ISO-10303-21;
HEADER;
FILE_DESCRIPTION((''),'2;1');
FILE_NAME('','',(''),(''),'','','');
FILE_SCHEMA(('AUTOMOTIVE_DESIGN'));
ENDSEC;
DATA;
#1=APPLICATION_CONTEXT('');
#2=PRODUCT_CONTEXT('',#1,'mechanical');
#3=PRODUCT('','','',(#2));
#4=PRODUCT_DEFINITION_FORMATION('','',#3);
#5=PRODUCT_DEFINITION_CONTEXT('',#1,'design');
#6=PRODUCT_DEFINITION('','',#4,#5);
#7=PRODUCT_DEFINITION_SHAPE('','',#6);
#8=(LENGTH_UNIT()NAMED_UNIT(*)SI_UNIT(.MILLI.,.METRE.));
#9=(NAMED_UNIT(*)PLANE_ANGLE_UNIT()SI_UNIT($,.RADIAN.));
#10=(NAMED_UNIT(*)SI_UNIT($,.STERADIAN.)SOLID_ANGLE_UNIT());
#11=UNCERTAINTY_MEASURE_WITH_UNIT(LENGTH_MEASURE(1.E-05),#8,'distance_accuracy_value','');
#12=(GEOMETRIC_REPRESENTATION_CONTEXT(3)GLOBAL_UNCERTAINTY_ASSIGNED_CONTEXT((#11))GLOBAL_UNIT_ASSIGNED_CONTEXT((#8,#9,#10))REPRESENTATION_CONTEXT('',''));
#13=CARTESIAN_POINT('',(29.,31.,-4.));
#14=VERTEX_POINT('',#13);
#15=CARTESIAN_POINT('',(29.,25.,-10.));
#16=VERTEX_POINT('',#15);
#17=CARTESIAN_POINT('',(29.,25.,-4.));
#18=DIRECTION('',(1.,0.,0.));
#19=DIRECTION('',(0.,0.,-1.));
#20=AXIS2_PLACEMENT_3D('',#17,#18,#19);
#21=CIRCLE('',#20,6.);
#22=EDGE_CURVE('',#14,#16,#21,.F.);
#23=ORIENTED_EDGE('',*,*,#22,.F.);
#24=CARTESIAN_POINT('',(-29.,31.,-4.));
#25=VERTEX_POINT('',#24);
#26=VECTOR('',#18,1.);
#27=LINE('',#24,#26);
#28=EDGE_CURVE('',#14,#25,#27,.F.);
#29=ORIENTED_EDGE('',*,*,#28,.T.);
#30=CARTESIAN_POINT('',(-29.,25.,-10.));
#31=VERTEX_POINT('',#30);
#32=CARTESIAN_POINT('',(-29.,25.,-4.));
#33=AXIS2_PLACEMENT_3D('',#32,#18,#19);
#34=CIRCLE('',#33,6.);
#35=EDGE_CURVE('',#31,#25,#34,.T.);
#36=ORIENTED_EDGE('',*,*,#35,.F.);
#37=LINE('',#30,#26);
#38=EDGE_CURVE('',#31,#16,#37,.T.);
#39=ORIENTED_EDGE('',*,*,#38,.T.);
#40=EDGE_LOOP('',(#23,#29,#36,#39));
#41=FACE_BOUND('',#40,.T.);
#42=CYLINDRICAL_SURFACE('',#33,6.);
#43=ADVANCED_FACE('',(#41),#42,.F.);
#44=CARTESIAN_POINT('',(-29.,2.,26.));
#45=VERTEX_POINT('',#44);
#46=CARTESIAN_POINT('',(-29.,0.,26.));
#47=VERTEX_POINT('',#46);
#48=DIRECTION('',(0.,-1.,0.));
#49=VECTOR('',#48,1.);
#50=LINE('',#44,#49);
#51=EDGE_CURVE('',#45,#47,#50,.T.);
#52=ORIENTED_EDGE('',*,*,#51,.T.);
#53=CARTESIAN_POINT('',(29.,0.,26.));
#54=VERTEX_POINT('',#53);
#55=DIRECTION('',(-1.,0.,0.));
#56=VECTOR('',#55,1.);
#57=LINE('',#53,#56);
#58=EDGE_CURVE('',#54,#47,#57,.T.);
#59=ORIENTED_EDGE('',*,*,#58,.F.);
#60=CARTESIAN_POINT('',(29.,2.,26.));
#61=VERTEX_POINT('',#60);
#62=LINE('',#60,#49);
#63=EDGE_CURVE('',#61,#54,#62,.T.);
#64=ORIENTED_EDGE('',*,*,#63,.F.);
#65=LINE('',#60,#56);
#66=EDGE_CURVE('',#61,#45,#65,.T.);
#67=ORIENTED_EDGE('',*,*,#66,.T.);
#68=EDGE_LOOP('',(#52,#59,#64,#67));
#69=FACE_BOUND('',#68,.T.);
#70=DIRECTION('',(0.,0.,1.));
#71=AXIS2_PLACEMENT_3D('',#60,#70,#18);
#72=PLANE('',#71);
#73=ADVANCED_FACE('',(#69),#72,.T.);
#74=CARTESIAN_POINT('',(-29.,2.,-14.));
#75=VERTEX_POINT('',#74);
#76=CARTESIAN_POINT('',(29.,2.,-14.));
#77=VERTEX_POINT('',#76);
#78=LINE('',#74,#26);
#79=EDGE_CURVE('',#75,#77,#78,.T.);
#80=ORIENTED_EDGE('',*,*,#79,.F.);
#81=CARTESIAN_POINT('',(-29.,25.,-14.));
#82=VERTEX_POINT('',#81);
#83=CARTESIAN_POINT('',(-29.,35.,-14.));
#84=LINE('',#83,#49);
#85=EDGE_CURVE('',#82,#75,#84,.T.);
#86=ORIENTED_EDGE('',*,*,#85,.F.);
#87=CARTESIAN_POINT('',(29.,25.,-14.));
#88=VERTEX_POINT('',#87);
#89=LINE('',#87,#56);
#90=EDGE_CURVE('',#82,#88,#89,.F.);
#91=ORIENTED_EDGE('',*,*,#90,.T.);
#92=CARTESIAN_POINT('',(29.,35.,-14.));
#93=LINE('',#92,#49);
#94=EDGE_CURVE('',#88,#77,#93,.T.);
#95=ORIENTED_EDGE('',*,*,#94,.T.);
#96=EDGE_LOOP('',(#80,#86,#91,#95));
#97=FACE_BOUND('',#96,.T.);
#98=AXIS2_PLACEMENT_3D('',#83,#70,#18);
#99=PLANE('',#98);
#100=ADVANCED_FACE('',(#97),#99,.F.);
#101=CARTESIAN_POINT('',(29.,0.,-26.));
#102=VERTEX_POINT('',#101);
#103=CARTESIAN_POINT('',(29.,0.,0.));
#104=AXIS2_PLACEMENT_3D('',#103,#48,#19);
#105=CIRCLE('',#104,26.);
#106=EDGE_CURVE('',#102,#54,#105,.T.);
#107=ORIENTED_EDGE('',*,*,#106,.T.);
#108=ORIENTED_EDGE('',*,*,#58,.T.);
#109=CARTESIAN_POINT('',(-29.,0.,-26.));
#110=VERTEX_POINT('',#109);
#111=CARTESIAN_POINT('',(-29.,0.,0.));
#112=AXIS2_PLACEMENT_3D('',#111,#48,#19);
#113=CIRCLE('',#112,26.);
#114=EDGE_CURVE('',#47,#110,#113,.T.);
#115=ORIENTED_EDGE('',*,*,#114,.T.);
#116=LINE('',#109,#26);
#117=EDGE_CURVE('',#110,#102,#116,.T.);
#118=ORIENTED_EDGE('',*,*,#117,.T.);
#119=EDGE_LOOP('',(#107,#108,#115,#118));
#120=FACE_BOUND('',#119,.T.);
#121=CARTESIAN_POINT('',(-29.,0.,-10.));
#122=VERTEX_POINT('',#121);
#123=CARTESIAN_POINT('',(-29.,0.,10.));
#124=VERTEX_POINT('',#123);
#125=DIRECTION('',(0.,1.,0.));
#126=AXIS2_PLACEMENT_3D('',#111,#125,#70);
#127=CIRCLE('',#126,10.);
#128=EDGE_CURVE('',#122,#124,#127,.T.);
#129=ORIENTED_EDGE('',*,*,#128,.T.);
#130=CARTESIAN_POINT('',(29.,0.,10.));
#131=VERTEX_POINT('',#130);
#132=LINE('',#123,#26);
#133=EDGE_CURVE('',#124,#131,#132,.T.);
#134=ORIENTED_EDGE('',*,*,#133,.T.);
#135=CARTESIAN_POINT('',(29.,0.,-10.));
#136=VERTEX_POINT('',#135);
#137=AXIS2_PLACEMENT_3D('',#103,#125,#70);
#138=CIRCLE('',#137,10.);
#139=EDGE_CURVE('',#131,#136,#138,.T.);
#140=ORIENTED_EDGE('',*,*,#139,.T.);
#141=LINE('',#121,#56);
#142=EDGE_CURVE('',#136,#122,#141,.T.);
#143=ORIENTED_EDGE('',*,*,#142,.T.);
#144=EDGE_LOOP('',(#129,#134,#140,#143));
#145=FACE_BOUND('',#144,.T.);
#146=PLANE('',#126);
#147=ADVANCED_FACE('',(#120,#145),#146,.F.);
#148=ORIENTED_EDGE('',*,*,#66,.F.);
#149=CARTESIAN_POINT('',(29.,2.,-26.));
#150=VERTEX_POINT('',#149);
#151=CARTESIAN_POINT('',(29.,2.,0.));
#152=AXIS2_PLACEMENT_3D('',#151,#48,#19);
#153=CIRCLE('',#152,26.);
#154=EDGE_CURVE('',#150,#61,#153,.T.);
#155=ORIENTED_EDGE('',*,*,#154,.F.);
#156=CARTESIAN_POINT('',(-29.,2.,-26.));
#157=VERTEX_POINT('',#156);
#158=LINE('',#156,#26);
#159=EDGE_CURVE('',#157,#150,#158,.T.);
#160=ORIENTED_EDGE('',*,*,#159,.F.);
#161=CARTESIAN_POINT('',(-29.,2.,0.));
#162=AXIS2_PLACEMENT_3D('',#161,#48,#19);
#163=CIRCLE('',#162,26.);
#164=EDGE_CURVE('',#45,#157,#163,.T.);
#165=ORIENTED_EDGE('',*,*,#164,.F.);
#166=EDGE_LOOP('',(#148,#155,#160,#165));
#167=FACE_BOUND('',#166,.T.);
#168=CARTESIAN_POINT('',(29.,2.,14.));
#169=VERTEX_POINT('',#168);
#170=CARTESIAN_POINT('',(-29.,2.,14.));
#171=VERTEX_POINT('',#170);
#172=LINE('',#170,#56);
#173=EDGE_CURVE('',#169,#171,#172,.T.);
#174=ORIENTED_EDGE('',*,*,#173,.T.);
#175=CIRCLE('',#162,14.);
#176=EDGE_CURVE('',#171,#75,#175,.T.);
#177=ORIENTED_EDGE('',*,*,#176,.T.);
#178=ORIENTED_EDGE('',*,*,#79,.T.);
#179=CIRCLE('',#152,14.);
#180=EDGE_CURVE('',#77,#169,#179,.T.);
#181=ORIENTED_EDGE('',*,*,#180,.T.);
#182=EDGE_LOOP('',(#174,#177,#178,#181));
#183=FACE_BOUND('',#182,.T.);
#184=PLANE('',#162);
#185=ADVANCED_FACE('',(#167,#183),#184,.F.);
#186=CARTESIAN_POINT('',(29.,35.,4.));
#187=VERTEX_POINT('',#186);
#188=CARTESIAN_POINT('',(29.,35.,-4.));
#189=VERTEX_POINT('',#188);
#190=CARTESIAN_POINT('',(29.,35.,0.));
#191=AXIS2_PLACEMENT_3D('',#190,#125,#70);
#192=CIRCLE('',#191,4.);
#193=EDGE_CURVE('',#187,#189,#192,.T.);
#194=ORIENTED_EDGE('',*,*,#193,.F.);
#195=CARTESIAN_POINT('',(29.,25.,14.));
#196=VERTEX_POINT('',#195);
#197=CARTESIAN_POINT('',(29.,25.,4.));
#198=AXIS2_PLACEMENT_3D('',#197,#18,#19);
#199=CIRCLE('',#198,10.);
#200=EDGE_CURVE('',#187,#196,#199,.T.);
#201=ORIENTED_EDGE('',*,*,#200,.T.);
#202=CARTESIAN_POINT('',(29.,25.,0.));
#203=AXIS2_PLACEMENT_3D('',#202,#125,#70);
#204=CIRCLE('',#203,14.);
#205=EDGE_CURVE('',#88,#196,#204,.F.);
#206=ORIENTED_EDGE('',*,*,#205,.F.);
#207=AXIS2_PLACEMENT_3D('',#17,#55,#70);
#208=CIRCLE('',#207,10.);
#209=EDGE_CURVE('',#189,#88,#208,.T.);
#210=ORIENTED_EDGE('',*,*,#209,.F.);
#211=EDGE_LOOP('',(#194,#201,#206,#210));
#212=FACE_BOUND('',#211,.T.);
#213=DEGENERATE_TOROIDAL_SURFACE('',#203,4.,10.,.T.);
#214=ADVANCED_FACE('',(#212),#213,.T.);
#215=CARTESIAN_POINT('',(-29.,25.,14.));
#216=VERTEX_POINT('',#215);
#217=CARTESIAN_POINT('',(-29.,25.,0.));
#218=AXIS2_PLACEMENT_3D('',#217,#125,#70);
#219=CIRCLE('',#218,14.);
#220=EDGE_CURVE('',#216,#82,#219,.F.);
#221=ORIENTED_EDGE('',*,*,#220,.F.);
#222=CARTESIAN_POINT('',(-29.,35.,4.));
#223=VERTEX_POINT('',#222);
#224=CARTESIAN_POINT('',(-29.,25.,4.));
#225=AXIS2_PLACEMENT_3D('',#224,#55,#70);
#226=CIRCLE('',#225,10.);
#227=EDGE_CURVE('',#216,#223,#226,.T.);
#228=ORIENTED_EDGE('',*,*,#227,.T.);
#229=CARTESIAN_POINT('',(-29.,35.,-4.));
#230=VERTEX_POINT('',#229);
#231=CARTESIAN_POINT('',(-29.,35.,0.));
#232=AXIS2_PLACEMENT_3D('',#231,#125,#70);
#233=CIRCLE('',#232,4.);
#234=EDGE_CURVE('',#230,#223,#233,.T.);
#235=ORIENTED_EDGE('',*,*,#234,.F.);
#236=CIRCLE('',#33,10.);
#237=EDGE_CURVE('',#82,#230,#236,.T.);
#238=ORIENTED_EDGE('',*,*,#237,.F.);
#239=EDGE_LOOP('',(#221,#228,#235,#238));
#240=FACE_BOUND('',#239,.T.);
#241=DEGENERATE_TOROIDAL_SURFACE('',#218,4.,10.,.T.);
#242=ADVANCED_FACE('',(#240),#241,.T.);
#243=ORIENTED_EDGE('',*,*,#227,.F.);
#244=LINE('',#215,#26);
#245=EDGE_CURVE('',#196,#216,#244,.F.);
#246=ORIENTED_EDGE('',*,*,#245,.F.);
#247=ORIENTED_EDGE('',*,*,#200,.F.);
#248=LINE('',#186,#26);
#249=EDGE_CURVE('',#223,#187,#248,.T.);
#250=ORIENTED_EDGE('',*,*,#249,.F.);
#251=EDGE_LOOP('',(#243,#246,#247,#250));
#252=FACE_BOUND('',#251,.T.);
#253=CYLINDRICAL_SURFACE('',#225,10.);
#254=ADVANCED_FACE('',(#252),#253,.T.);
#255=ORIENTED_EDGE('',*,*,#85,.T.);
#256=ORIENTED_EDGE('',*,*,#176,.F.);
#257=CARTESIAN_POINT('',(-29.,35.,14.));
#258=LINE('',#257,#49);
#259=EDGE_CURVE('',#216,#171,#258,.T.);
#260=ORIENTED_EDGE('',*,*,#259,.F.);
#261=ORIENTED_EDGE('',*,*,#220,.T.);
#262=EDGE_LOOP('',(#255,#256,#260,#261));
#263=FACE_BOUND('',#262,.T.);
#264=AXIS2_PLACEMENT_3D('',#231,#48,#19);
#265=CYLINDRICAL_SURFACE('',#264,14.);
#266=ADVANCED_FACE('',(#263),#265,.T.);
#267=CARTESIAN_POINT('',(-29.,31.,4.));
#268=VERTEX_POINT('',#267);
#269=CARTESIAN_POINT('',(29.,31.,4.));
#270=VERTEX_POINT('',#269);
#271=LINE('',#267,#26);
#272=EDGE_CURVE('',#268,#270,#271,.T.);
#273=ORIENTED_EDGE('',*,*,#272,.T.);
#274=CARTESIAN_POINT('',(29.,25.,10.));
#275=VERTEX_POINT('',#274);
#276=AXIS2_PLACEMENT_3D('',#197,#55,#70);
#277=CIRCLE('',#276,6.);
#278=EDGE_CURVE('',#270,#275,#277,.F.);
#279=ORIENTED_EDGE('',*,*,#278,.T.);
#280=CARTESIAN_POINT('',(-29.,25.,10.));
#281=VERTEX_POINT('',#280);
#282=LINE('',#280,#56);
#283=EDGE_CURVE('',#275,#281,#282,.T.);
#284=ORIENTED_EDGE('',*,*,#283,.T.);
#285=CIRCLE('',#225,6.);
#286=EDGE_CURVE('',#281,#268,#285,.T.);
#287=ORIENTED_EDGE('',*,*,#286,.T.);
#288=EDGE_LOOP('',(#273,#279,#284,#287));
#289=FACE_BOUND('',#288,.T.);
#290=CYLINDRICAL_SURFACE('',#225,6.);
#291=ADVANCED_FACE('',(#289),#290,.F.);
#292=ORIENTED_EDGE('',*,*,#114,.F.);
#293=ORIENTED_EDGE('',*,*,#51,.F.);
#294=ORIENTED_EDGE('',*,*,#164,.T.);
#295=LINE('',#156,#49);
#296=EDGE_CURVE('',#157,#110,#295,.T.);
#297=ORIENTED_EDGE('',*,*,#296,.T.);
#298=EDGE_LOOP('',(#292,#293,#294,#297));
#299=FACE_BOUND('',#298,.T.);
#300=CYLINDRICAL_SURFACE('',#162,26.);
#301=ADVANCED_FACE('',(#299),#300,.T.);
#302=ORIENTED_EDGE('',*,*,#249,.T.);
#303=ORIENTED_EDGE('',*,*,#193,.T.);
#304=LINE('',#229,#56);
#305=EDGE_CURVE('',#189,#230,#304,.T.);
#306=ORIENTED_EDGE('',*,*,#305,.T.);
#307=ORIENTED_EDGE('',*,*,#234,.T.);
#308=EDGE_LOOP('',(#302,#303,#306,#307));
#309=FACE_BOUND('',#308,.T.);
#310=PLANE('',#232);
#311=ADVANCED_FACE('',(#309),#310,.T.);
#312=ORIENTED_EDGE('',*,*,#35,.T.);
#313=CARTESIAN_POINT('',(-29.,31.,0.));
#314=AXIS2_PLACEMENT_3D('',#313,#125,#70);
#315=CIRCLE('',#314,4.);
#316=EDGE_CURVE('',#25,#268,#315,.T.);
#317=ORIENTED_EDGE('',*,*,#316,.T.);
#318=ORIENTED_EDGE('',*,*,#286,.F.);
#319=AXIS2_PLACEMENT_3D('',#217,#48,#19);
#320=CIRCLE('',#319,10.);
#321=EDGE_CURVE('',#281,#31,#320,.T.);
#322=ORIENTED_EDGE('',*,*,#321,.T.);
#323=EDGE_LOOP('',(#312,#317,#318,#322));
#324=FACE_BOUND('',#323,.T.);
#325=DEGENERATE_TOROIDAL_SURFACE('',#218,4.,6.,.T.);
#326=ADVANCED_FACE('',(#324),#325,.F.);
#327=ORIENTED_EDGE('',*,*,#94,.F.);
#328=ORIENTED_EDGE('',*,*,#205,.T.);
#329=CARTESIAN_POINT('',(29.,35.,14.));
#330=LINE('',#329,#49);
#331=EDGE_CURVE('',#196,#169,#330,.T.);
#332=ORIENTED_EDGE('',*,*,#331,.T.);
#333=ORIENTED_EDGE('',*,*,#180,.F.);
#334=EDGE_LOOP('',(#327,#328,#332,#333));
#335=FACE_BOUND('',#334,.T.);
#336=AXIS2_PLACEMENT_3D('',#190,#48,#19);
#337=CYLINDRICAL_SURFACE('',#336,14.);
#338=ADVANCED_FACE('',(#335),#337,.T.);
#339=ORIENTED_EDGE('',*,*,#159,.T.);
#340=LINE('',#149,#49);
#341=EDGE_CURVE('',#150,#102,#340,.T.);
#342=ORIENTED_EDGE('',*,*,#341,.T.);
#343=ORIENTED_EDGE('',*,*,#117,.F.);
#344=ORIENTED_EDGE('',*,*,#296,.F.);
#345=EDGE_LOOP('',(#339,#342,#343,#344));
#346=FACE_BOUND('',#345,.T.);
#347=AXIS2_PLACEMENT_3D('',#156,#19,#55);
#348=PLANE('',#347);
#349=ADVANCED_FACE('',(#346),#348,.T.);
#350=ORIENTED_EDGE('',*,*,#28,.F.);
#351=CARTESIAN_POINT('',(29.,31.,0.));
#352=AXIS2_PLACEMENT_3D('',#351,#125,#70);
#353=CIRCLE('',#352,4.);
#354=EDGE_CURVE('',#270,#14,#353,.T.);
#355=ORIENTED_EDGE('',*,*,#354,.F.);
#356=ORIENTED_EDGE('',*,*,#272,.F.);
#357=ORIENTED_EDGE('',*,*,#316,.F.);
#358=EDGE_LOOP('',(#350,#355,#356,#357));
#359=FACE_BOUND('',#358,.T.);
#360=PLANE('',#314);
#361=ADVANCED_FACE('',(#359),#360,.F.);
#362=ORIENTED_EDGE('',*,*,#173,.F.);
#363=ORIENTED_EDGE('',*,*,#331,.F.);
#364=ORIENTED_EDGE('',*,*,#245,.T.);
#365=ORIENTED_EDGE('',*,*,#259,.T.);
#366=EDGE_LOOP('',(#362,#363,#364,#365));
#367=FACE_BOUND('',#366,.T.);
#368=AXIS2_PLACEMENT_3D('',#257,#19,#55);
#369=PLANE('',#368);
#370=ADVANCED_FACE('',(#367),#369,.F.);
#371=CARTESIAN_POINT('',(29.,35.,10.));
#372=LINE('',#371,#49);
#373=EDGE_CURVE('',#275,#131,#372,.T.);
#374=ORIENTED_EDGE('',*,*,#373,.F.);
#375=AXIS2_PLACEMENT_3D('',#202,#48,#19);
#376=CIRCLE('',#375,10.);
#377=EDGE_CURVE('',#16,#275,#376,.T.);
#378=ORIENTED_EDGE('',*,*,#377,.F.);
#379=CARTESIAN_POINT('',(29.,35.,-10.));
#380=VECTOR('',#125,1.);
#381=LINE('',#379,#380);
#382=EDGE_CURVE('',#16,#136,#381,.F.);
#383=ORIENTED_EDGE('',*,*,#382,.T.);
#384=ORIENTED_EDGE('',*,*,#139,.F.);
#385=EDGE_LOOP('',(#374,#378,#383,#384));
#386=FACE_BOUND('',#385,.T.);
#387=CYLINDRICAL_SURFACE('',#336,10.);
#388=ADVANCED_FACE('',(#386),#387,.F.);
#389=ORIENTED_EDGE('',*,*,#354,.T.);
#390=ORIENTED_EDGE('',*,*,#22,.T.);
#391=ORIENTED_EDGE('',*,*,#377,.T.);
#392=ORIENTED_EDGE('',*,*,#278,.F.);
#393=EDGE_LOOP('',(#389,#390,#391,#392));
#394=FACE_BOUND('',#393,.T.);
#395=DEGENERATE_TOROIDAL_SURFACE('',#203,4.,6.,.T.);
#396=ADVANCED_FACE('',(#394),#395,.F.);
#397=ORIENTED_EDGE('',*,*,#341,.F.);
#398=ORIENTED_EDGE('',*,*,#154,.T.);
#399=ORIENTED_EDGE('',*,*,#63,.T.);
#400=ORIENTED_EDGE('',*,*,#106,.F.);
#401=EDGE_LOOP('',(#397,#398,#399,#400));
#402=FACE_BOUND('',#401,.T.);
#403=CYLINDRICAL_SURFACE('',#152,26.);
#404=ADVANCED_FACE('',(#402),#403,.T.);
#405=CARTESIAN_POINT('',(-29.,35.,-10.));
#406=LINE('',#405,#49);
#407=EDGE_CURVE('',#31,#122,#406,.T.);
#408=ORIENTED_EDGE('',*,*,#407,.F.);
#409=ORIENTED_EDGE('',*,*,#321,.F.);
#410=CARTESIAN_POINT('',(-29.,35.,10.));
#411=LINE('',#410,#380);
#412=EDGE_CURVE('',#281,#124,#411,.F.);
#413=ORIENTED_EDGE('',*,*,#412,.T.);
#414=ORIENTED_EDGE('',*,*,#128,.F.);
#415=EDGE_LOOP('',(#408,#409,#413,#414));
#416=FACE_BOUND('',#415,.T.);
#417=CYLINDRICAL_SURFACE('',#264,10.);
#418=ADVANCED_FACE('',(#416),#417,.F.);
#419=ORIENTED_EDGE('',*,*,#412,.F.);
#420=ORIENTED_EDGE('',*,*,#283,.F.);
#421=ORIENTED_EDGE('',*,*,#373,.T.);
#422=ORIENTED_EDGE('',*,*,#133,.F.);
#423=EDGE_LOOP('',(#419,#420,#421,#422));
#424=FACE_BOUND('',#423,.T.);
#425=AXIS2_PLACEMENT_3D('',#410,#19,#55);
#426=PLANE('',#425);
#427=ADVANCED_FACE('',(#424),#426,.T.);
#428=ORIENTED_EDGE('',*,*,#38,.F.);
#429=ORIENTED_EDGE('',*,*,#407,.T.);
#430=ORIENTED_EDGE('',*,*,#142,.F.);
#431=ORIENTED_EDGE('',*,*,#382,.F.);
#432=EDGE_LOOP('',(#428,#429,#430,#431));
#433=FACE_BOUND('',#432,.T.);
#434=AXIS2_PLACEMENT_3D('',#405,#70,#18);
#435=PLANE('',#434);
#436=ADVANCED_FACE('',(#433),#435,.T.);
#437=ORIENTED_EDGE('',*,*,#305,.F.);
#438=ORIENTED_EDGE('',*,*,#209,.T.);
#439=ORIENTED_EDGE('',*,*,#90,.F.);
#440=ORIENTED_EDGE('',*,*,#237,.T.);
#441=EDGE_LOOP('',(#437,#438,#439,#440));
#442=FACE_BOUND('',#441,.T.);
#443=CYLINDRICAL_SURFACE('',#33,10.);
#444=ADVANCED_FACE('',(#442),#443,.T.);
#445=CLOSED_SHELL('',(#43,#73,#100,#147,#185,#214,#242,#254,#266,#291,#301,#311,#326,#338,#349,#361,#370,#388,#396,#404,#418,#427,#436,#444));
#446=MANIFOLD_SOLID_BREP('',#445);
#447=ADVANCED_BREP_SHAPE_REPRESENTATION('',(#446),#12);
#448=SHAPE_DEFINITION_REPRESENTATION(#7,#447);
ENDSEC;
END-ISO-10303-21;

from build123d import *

# Parameters (mm, degrees)
BOSS_EXTRUDE1_DEPTH = 35
FILLET1_R           = 10
SHELL1_T            = -4
BOSS_EXTRUDE2_DEPTH = 2


with BuildPart() as part:
    # Sketch2 → Boss-Extrude1 (new body)
    with BuildSketch(Plane(origin=(0, 0, 0), x_dir=(1, 0, 0), z_dir=(0, 1, 0))):
        with BuildLine():
            Line((-29, 14), (29, 14))
            ThreePointArc((29, 14), (43, 0), (29, -14))
            Line((29, -14), (-29, -14))
            ThreePointArc((-29, -14), (-43, 0), (-29, 14))
        make_face()
    extrude(amount=BOSS_EXTRUDE1_DEPTH)

    # Fillet1
    fillet1_edges = [part.edges().sort_by_distance(p)[0] for p in [
        (43, 35, 0),
        (0, 35, -14),
        (-43, 35, 0),
        (0, 35, 14),
    ]]
    fillet(fillet1_edges, radius=FILLET1_R)

    # Shell1
    shell1_openings = [part.faces().sort_by_distance(p)[0] for p in [
        (0, 0, 0),
    ]]
    offset(amount=SHELL1_T, openings=shell1_openings, kind=Kind.INTERSECTION)

    # Sketch3 → Boss-Extrude2 (add)
    with BuildSketch(Plane.XZ):
        with BuildLine():
            Line((-29, -26), (29, -26))
            ThreePointArc((29, -26), (55, 0), (29, 26))
            Line((29, 26), (-29, 26))
            ThreePointArc((-29, 26), (-55, 0), (-29, -26))
        make_face()
        with BuildLine():
            Line((-29, -10), (29, -10))
            ThreePointArc((29, -10), (39, 0), (29, 10))
            Line((29, 10), (-29, 10))
            ThreePointArc((-29, 10), (-39, 0), (-29, -10))
        make_face(mode=Mode.SUBTRACT)
    extrude(amount=-BOSS_EXTRUDE2_DEPTH)


solid = part.part
